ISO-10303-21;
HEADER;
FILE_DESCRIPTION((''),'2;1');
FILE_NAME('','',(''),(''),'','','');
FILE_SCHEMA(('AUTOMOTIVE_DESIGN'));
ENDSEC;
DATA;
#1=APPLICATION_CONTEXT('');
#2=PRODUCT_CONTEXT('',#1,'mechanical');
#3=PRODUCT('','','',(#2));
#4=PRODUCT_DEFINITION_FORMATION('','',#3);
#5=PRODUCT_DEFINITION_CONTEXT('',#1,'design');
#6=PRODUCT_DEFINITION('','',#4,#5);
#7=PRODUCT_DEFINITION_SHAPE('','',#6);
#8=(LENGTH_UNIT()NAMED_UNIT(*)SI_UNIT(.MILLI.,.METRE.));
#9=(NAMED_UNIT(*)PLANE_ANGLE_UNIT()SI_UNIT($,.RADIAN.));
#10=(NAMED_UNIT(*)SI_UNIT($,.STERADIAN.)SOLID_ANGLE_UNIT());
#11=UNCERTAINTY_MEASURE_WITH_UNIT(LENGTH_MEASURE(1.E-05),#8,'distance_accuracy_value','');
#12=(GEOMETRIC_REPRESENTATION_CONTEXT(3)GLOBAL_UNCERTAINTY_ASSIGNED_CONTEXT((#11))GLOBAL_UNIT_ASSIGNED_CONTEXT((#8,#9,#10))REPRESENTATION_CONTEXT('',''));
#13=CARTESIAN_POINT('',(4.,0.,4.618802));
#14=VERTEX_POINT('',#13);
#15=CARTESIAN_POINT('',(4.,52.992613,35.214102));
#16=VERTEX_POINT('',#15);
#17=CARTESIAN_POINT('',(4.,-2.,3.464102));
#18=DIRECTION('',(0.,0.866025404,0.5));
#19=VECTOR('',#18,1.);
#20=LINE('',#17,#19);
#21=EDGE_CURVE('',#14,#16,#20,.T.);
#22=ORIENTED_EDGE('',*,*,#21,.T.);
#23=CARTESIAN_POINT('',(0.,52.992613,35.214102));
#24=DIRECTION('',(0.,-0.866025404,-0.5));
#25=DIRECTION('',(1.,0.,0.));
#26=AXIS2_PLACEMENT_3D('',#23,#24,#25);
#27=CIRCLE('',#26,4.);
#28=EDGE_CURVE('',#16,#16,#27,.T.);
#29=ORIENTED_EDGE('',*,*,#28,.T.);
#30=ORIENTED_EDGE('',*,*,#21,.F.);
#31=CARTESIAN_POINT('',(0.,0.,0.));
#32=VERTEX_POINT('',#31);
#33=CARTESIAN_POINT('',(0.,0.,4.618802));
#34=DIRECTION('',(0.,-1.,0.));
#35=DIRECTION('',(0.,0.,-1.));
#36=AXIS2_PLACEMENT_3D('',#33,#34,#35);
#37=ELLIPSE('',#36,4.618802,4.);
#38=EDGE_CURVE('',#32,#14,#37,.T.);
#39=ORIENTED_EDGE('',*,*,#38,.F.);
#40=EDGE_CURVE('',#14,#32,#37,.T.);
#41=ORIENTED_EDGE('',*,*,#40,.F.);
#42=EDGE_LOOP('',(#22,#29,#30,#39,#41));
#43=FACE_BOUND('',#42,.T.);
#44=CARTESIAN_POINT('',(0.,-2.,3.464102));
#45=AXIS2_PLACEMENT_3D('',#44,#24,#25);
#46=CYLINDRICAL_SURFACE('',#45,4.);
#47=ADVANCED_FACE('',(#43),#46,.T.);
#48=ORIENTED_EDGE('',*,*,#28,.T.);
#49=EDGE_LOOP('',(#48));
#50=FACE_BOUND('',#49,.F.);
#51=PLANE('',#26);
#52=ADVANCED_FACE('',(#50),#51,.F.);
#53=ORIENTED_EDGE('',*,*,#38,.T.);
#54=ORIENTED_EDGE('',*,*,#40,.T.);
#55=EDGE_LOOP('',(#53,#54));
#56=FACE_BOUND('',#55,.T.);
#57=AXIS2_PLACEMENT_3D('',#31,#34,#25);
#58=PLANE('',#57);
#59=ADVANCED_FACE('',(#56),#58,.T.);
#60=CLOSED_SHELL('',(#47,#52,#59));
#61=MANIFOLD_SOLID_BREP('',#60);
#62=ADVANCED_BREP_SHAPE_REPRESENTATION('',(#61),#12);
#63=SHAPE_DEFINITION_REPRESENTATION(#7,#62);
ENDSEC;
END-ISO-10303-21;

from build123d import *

# Parameters (mm, degrees)
F0_R     = 4
F1_DEPTH = 63.5
F3_ANGLE = 30
F4_W     = 20
F4_H     = 20
F5_DEPTH = 4.001


with BuildPart() as f1:
    # F0 (on Front) → F1 (new body)
    with BuildSketch(Plane.XZ):
        with Locations((0, 4)):
            Circle(F0_R)
    extrude(amount=-F1_DEPTH)


with BuildPart() as f1_1:
    # F3: moved
    add(f1.part.rotate(Axis((2.8749, 0, 0), (1, 0, 0)), F3_ANGLE))

    # F4 (on Front) → F5 (cut, through all)
    with BuildSketch(Plane.XZ):
        Rectangle(F4_W, F4_H)
    extrude(amount=F5_DEPTH, mode=Mode.SUBTRACT)


solid = f1_1.part
